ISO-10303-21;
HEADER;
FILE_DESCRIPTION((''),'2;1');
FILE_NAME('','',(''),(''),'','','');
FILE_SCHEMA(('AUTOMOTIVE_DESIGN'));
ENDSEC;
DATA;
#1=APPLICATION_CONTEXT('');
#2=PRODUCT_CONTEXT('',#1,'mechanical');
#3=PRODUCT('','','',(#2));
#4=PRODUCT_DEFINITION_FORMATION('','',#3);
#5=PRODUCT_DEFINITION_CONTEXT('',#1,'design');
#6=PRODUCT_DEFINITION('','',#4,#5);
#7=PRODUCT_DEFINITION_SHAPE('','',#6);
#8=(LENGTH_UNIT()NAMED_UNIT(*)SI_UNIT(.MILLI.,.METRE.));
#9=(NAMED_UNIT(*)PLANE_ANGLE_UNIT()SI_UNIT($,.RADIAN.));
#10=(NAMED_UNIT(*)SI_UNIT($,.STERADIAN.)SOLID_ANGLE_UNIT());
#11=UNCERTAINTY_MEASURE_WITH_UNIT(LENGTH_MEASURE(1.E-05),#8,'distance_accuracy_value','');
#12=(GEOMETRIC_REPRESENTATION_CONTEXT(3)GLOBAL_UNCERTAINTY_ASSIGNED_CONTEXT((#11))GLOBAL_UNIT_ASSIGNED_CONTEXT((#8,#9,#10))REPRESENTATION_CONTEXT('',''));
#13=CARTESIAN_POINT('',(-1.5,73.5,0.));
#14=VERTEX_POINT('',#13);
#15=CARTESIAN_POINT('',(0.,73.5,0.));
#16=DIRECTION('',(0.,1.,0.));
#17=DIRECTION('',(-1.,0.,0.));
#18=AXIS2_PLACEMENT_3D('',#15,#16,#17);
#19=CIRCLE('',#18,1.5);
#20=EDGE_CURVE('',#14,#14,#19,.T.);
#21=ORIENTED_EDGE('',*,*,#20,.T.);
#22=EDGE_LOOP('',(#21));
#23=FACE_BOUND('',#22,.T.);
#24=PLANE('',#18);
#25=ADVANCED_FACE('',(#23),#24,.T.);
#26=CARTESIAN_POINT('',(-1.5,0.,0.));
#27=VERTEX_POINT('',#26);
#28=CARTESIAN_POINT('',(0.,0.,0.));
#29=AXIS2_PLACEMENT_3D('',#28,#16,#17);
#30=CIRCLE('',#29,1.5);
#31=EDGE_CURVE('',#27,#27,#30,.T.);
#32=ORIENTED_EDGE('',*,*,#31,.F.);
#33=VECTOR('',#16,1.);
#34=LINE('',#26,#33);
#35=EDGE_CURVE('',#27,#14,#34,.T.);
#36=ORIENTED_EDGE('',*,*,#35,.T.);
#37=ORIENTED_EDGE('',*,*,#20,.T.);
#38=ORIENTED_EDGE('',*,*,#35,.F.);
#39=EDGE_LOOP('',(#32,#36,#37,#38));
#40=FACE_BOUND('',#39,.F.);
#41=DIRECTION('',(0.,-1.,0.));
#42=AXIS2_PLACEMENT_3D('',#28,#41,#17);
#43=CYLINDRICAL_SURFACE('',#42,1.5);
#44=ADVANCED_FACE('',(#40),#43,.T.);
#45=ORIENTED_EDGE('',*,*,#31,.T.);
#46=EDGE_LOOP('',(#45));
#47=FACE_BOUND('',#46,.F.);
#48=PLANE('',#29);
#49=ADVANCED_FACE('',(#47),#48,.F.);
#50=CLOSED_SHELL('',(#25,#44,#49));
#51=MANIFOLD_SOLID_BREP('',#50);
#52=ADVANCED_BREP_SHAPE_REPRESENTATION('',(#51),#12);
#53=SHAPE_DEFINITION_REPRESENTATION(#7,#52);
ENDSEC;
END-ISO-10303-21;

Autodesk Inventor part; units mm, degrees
ref_plane "YZ Plane" through (0, 0, 0) normal (1, 0, 0) x (0, 1, 0)
ref_plane "XZ Plane" through (0, 0, 0) normal (0, 1, 0) x (-1, 0, 0)
ref_plane "XY Plane" through (0, 0, 0) normal (0, 0, 1) x (1, 0, 0)
sketch "Sketch1" plane through (0, 0, 0) normal (0, 1, 0) x (-1, 0, 0)
  circle A0 centre (0, 0) radius 1.5
  dimension "d0" = 3
extrude "Extrusion1" add sketch "Sketch1" along normal blind 73.5
thread "Thread1" size "M3x0.5" class "6g" standard "ANSI Metric M Profile" full length
properties part number "ThreadedRod_M3_EncoderSupportChassis" material "Steel, Galvanized"
